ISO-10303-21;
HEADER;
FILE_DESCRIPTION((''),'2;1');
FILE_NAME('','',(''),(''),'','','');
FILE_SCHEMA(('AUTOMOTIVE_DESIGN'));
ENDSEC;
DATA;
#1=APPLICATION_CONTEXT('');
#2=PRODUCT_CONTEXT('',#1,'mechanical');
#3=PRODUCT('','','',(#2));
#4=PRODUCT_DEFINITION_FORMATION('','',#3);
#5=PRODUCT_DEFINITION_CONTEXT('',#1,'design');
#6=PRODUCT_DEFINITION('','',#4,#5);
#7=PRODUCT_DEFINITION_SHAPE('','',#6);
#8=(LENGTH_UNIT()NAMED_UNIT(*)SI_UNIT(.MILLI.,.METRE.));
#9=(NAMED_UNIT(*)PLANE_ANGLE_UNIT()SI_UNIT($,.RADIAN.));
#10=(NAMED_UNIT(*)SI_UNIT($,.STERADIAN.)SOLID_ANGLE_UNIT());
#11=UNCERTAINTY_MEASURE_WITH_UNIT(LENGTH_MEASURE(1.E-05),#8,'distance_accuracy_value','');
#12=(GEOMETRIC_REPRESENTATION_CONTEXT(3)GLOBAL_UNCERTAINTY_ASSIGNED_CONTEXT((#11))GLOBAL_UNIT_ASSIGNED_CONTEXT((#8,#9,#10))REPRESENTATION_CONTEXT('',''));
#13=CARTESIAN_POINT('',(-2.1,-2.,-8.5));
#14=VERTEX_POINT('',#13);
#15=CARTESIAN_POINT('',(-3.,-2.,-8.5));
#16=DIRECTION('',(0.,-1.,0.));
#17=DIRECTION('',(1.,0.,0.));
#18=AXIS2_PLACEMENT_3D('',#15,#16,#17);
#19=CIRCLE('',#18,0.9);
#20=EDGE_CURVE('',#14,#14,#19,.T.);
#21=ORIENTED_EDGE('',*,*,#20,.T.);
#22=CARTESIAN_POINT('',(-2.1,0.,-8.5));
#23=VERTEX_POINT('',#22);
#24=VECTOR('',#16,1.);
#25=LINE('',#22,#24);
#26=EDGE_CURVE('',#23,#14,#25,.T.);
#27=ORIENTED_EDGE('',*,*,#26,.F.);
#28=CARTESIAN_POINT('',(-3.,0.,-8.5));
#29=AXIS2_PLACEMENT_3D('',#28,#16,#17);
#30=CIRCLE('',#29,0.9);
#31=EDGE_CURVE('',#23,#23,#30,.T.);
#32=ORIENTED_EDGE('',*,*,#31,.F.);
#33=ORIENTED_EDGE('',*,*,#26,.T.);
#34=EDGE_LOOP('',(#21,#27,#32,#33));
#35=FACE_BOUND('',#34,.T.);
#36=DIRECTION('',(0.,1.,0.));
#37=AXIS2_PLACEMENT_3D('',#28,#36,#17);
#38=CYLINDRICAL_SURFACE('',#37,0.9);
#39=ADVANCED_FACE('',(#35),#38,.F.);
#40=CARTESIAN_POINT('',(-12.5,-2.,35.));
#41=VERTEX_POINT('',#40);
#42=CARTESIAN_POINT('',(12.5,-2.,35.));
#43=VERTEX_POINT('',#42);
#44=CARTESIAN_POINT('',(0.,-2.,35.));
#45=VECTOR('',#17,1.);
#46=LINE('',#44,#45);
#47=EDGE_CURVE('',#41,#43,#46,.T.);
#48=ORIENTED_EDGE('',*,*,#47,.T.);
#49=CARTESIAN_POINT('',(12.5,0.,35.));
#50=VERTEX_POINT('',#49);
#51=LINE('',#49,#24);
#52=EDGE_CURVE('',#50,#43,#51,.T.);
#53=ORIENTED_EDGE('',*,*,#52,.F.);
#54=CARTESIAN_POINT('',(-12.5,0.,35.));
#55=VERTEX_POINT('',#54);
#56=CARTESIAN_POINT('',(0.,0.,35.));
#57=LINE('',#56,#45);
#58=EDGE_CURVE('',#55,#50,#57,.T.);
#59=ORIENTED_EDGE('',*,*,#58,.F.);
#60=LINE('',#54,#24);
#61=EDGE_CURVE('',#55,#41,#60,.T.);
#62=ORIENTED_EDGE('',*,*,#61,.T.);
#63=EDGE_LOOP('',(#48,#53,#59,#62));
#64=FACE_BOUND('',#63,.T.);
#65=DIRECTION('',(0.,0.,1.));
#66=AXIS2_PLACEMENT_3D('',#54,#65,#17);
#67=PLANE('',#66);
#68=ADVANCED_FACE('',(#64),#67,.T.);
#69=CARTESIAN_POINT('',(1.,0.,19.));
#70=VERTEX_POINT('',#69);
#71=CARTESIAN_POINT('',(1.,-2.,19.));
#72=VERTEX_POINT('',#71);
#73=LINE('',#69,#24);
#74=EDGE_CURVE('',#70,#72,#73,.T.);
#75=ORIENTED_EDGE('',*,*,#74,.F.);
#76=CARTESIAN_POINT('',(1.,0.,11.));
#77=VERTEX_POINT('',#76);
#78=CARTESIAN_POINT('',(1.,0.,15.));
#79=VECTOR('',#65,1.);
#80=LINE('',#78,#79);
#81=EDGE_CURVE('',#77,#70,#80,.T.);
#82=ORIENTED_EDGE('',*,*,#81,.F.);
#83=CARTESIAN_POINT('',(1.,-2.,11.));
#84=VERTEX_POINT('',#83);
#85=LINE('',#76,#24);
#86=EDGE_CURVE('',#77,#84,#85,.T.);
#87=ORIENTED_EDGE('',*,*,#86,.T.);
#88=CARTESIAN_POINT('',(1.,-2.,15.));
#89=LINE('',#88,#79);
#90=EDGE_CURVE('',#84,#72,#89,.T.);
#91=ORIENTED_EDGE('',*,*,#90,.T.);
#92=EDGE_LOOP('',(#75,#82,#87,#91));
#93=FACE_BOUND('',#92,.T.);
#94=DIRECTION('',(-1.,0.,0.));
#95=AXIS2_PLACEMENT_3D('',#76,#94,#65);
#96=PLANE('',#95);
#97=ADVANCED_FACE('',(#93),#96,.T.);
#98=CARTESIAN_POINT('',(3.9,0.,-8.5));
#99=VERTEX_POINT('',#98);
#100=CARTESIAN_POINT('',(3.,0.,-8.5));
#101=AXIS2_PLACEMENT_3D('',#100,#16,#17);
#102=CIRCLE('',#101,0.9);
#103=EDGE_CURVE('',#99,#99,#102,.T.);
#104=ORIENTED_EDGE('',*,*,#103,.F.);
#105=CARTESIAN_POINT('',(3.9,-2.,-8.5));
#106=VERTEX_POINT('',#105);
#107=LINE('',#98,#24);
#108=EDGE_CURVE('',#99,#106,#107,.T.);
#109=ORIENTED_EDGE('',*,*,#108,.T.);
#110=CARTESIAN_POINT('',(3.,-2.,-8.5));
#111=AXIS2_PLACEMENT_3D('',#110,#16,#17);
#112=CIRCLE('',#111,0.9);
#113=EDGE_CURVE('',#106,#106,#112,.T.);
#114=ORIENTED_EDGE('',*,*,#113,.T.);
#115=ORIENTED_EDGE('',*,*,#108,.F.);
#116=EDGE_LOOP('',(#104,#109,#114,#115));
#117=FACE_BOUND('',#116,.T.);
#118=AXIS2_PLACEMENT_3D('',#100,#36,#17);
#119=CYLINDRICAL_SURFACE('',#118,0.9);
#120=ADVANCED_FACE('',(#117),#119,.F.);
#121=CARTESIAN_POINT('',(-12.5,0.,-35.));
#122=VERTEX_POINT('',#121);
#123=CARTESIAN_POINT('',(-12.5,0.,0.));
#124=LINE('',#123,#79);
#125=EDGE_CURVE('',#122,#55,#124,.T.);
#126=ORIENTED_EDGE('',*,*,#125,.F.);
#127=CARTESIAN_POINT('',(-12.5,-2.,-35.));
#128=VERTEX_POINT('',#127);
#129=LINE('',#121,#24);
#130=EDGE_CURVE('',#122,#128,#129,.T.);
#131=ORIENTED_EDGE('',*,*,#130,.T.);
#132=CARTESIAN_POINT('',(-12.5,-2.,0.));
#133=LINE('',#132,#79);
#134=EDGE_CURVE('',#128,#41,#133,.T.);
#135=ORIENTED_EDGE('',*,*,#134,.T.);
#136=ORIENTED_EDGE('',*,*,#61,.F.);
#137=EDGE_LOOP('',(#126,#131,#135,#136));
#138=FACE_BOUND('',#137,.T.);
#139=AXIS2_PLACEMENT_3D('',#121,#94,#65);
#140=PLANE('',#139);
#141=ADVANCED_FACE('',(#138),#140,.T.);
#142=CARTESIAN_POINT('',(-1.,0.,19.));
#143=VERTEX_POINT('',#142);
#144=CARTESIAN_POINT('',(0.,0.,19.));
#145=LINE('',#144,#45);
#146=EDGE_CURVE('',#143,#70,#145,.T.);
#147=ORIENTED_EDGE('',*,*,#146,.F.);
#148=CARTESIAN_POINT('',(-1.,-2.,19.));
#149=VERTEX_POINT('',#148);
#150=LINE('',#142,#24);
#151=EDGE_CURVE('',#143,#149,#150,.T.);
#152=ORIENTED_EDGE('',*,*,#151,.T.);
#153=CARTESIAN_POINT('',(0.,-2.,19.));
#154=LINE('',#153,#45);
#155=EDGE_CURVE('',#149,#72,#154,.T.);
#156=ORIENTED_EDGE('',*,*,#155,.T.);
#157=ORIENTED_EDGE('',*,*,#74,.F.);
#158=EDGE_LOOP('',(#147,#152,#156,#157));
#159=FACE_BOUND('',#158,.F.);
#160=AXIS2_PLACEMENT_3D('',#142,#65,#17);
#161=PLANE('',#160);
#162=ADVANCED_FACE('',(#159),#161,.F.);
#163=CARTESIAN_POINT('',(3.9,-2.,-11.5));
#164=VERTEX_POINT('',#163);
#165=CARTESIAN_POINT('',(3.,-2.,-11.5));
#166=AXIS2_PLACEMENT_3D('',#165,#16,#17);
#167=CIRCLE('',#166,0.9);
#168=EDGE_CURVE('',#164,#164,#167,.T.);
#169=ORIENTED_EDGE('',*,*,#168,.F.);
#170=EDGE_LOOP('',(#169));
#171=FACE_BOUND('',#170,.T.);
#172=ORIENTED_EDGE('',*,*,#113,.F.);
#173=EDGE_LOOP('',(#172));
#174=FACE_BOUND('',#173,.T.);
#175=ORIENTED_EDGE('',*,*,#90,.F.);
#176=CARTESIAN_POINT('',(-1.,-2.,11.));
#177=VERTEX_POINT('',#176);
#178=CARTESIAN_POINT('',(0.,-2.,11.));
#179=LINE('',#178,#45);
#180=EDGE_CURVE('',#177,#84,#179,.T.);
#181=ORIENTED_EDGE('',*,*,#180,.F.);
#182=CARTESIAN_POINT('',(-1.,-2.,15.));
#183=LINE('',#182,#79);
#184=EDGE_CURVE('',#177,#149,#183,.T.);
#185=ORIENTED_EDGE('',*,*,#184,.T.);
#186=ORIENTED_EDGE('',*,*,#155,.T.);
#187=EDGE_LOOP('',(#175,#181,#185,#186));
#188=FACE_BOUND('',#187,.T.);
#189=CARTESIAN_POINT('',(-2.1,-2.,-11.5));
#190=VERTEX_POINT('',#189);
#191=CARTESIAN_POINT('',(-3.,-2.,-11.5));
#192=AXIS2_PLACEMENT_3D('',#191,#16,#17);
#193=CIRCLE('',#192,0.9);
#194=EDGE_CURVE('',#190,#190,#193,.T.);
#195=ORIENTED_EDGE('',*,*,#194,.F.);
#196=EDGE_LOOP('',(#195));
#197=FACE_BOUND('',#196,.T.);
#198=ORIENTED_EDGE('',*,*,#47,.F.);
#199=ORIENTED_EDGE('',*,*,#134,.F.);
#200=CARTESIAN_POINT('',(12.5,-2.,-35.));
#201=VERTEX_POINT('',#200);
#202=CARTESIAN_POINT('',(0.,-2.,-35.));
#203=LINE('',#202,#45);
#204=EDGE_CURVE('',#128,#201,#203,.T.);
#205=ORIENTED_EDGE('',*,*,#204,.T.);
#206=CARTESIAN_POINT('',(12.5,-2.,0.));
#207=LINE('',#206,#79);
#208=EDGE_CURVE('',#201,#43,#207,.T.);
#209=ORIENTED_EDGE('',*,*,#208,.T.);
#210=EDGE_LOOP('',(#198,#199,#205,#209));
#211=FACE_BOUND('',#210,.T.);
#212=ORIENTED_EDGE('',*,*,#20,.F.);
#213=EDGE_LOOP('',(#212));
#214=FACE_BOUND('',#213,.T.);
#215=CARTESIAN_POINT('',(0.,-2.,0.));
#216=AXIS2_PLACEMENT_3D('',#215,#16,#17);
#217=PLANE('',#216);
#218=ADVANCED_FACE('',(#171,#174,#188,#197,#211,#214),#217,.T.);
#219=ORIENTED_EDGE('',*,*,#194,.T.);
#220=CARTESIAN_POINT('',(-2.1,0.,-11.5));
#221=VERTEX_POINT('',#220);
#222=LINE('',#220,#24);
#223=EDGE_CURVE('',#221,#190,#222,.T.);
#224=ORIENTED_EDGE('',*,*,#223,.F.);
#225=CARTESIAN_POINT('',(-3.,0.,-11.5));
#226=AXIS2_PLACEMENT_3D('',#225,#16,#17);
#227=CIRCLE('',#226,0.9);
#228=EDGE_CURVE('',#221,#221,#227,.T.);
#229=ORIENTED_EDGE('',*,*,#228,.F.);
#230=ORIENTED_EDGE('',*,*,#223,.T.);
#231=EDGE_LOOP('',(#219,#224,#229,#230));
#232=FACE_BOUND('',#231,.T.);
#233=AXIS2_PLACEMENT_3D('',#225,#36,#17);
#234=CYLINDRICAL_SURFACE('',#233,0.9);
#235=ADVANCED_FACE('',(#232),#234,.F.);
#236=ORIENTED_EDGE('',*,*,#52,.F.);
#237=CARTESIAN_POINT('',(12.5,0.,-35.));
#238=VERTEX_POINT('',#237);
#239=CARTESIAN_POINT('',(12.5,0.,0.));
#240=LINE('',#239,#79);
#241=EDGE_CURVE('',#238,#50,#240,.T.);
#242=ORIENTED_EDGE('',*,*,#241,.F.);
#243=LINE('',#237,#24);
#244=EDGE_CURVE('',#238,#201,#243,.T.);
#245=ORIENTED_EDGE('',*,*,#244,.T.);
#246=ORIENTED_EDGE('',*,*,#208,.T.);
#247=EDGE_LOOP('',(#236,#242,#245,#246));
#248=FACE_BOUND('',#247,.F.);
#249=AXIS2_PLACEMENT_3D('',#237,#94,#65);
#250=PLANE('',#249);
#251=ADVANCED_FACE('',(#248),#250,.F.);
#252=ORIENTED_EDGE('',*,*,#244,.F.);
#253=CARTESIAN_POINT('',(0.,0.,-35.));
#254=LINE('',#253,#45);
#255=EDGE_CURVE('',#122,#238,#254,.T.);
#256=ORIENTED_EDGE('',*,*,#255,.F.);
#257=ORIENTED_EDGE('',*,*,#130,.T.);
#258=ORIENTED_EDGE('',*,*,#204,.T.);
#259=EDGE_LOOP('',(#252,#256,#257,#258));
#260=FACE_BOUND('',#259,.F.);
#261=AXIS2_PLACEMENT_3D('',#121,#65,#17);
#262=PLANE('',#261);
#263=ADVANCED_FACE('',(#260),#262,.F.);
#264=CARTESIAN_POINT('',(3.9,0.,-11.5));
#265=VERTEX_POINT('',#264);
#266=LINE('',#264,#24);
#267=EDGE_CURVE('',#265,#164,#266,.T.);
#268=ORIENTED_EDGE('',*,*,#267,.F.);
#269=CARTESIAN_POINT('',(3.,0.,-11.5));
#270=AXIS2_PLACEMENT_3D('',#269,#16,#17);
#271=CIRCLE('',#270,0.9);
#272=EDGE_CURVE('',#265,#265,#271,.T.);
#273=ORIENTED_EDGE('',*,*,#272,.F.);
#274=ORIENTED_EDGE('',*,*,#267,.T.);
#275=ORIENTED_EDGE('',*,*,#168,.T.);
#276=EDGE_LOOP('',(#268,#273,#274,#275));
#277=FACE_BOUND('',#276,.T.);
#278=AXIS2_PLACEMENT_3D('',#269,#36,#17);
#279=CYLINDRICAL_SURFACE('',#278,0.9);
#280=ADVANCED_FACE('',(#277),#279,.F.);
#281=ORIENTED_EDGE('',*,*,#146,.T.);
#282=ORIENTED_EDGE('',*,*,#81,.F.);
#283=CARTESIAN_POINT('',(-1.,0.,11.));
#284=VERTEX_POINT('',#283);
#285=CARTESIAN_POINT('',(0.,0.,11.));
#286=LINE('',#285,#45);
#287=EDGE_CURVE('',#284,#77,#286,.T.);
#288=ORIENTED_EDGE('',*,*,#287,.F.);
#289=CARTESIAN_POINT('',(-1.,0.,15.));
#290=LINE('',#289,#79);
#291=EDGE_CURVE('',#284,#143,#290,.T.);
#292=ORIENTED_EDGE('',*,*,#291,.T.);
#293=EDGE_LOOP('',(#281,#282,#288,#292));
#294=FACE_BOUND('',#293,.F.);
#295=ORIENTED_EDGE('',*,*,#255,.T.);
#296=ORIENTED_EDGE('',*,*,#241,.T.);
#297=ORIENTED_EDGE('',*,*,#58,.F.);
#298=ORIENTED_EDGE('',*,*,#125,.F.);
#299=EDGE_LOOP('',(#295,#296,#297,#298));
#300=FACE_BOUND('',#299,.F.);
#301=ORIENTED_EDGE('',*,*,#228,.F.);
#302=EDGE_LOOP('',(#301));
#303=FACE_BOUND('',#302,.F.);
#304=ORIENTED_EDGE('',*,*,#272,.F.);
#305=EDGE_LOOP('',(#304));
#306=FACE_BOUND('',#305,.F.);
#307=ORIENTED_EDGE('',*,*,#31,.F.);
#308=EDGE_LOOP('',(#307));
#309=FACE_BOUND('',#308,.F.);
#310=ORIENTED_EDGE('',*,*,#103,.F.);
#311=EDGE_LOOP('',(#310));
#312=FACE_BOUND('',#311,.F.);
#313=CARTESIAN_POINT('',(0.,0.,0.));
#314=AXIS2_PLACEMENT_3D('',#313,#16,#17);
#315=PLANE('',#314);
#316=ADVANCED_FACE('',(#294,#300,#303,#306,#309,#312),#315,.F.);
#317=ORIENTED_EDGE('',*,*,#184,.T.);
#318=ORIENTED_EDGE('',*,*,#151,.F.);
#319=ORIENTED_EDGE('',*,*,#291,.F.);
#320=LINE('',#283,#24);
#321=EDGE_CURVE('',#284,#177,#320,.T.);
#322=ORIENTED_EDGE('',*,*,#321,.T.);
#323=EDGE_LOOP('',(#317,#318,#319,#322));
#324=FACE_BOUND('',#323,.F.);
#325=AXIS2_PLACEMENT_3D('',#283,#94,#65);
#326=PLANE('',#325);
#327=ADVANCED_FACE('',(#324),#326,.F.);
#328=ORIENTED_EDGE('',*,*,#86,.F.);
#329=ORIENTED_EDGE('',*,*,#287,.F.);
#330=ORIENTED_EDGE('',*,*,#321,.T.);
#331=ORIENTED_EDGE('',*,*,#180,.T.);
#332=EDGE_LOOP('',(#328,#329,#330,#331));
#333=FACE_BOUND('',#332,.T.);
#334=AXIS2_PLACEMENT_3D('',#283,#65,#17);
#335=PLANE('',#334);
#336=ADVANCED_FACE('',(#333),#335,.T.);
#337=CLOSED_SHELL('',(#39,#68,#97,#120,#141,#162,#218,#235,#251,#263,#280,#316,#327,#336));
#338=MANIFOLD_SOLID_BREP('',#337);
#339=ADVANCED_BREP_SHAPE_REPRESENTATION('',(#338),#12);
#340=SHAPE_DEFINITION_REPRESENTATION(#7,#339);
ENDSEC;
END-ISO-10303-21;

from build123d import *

# Parameters (mm, degrees)
F0_W     = 25
F0_H     = 70
F0_R     = 0.9
F0_W_2   = 2
F0_H_2   = 8
F1_DEPTH = 2


with BuildPart() as f1:
    # F0 (on Front) → F1 (new body)
    with BuildSketch(Plane.XZ):
        Rectangle(F0_W, F0_H)
        with Locations((-3, -11.5)):
            Circle(F0_R, mode=Mode.SUBTRACT)
        with Locations((-3, -8.5)):
            Circle(F0_R, mode=Mode.SUBTRACT)
        with Locations((3, -11.5)):
            Circle(F0_R, mode=Mode.SUBTRACT)
        with Locations((3, -8.5)):
            Circle(F0_R, mode=Mode.SUBTRACT)
        with Locations((0, 15)):
            Rectangle(F0_W_2, F0_H_2, mode=Mode.SUBTRACT)
    extrude(amount=F1_DEPTH)


solid = f1.part
